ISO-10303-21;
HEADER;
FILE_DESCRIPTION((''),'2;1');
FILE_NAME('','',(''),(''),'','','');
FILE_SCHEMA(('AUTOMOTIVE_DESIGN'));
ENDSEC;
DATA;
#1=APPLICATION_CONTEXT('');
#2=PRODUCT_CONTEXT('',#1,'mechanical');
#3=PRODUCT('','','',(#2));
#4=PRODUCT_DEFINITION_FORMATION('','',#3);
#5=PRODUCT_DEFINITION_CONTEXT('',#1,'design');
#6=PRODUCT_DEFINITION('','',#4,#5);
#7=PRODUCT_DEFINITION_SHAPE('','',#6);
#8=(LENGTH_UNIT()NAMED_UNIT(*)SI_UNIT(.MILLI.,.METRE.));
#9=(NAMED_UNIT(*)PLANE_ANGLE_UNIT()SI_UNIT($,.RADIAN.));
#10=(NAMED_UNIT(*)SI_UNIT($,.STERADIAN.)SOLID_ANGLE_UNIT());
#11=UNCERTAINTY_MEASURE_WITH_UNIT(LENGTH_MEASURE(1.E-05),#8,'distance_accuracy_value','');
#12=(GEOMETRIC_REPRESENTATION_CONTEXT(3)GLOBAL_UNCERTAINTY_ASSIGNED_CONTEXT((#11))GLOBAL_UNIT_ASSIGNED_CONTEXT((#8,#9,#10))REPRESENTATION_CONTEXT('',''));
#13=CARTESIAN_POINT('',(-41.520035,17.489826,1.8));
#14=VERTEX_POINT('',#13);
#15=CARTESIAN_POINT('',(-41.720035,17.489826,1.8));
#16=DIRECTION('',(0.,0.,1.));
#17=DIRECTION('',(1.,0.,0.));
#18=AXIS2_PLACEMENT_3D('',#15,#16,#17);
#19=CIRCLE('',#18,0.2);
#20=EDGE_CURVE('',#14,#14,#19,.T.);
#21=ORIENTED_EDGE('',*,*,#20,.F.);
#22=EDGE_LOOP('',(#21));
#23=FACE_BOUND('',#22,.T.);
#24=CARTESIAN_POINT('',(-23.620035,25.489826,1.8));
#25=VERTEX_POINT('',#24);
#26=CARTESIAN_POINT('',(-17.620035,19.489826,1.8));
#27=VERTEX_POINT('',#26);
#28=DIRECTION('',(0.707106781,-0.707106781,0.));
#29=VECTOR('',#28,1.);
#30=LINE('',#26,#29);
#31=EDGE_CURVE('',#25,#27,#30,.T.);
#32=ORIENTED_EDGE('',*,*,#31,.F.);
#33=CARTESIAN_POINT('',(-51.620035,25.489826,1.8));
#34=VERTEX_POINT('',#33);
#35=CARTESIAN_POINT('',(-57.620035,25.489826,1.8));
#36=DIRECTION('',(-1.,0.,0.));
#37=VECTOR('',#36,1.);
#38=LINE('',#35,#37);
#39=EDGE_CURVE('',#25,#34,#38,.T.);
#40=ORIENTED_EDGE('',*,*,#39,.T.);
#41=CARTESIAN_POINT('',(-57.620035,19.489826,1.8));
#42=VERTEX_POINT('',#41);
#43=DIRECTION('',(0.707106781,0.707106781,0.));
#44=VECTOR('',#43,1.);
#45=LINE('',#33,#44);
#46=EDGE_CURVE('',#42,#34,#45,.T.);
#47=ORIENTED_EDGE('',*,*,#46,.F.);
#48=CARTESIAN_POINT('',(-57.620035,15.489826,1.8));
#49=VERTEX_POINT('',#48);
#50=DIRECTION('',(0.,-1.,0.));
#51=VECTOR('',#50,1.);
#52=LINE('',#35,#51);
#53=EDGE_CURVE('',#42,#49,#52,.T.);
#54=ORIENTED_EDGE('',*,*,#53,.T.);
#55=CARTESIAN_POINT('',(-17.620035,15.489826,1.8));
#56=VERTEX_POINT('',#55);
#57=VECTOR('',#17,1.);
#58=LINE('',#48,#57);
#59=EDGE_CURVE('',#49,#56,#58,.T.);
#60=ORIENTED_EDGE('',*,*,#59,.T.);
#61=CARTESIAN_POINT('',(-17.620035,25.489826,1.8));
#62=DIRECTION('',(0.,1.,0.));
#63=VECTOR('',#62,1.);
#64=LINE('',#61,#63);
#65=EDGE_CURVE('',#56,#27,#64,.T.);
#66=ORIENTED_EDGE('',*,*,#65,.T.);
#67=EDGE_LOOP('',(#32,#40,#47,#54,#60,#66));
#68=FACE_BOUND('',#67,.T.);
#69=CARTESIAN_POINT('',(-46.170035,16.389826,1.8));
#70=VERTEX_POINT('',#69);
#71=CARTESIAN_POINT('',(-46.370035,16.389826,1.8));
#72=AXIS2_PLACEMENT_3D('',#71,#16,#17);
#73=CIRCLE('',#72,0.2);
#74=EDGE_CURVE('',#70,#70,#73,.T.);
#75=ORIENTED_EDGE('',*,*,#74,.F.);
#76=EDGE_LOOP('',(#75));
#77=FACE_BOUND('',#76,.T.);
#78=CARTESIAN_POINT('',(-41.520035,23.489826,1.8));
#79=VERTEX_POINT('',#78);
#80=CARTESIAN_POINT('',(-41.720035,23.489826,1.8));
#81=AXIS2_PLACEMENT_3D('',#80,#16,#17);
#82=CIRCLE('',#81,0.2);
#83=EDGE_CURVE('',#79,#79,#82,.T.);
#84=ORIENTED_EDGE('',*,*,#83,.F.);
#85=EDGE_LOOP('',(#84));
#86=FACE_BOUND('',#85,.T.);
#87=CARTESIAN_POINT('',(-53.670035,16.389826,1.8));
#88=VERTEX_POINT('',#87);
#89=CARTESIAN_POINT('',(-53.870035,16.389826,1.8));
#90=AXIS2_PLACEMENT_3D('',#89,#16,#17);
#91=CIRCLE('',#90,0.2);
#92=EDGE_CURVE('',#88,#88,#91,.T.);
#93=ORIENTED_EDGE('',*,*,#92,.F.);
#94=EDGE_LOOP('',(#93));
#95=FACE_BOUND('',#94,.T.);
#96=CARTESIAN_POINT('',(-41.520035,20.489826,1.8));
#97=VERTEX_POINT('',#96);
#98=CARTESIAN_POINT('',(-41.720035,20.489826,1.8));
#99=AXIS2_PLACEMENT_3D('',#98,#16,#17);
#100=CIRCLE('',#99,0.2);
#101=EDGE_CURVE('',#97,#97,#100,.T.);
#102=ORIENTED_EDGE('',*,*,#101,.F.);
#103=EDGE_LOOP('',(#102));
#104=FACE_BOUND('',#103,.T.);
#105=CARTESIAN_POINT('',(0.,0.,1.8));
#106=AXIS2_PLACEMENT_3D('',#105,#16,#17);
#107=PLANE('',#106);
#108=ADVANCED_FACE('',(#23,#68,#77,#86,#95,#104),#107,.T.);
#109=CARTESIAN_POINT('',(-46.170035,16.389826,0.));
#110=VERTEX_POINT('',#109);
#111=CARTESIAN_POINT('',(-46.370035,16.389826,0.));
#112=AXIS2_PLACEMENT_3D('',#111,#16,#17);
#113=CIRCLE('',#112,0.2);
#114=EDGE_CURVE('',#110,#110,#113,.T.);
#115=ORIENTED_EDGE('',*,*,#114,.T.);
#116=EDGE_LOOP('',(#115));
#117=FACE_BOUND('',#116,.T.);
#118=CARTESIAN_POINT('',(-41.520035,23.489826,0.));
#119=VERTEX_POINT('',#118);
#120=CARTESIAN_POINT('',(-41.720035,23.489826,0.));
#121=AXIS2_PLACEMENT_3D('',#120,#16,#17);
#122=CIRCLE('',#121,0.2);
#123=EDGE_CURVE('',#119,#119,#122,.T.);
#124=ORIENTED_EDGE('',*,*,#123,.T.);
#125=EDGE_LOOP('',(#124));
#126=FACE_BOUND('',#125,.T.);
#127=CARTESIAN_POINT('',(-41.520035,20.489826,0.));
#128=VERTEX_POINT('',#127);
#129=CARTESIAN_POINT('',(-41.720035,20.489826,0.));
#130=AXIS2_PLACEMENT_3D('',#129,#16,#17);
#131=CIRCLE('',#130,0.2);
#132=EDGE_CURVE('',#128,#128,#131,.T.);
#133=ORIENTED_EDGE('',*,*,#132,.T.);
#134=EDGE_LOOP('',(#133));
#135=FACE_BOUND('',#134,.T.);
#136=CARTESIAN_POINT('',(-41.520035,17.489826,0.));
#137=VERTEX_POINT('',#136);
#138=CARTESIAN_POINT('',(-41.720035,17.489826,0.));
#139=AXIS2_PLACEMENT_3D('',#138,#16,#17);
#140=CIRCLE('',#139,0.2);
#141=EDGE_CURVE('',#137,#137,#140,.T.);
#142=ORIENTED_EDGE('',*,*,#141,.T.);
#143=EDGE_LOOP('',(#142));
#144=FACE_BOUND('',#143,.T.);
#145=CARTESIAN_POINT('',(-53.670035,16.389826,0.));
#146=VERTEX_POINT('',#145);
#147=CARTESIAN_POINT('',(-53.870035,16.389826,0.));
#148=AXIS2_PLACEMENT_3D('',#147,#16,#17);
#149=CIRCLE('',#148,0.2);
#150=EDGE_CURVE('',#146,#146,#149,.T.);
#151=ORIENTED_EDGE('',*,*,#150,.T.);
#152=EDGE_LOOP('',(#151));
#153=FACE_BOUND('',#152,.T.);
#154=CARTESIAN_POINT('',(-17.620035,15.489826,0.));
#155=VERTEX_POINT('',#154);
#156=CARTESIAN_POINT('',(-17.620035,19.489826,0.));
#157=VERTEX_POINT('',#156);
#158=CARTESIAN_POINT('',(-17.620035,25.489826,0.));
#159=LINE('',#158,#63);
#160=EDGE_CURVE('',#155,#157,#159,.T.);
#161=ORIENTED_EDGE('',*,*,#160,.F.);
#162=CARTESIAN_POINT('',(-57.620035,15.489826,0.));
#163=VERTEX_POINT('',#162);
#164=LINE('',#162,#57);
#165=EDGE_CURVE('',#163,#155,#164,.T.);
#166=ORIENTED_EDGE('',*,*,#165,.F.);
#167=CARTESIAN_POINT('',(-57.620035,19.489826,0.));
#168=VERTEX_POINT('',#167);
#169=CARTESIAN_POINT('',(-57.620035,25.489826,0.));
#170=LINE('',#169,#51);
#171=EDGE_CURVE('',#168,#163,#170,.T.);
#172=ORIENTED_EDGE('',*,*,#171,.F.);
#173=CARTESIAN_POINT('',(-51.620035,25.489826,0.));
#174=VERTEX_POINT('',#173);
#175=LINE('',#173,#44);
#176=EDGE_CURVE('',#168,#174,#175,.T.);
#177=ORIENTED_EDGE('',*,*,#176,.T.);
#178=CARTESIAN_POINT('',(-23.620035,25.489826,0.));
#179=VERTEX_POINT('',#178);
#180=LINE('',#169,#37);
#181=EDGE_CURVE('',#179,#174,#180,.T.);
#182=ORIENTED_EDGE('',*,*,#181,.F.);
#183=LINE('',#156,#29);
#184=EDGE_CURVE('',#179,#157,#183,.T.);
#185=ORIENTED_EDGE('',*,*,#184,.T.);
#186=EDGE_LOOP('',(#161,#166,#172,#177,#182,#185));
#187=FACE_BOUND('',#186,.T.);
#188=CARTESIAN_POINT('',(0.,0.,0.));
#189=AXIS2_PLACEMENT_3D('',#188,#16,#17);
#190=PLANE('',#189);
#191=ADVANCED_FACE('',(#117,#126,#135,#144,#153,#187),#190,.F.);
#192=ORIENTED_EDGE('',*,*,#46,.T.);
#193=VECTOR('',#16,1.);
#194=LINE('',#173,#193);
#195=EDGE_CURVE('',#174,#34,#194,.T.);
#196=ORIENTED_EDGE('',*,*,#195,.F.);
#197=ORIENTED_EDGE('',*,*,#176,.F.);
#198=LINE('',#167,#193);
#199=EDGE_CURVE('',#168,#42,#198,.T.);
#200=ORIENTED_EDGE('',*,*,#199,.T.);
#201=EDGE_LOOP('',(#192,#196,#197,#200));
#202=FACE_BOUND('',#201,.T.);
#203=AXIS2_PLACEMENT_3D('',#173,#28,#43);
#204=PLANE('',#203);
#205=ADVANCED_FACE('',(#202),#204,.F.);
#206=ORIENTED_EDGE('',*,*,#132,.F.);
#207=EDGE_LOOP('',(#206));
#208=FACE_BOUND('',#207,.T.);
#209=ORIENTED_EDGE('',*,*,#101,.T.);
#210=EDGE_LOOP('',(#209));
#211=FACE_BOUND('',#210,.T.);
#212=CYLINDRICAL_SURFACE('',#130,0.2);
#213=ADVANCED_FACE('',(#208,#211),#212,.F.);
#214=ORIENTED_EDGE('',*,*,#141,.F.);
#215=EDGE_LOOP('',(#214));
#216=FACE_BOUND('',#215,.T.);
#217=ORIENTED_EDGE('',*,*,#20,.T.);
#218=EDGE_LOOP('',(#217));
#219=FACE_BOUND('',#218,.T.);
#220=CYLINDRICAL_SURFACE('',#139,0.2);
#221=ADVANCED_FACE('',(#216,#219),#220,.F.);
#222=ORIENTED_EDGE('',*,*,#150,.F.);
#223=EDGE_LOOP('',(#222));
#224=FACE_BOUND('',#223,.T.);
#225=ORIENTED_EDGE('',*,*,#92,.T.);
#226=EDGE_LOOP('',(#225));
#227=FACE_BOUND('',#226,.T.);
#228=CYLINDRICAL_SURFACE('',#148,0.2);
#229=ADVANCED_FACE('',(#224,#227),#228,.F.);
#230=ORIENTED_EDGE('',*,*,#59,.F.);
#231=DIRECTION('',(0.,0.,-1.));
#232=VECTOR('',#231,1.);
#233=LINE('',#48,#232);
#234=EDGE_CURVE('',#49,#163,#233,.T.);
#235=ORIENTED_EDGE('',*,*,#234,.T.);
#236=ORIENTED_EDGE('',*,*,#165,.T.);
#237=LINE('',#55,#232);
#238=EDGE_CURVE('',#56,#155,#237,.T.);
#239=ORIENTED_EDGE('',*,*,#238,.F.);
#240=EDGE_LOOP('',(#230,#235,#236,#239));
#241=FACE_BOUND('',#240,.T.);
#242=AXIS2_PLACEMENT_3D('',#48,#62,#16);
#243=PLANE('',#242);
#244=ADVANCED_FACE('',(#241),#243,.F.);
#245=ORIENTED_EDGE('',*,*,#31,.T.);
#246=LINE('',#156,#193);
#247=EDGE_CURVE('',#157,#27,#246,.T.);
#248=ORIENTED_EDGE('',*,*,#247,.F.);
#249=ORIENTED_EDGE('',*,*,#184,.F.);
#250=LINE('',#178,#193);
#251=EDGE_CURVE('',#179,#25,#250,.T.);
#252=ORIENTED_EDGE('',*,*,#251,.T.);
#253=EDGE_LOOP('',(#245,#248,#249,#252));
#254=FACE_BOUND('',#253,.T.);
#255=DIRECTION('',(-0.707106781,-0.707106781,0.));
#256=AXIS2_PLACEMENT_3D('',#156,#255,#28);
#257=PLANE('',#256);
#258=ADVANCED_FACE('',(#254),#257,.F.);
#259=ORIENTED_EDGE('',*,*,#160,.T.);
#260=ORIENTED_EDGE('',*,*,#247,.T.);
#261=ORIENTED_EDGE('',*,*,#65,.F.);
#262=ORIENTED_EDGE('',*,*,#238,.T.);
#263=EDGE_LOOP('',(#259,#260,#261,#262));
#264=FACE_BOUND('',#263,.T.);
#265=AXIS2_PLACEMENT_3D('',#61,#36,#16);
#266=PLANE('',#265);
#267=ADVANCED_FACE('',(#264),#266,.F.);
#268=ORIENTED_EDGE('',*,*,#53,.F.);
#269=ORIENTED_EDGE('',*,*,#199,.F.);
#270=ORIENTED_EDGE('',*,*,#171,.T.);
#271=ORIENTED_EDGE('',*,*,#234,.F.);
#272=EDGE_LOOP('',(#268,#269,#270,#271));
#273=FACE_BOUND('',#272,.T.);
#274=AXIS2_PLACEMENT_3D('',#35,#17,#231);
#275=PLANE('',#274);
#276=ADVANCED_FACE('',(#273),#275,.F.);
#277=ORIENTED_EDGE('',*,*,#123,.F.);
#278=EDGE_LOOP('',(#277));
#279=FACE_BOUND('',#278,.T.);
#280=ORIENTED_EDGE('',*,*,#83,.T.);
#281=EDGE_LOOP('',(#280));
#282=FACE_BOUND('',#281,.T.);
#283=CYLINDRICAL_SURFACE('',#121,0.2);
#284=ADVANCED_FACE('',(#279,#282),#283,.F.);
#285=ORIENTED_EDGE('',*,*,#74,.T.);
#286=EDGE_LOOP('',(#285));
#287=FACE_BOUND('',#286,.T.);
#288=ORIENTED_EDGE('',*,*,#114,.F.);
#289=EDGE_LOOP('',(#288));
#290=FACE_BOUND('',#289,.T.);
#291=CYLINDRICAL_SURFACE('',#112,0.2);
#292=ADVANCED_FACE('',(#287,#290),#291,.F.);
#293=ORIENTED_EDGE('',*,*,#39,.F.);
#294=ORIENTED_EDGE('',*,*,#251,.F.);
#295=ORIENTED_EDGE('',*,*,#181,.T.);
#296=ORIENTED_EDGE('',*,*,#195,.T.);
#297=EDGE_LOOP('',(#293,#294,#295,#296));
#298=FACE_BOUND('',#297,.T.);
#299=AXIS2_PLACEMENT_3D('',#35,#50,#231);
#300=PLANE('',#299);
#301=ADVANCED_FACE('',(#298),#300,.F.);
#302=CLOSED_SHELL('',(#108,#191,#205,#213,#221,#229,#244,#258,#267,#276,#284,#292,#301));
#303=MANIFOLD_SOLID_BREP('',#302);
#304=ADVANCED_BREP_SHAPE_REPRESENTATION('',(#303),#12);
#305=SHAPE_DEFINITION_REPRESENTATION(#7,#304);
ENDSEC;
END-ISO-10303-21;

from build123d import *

# Parameters (mm, degrees)
ESBO_O1_W                = 40
ESBO_O1_H                = 10
RESSALTO_EXTRUS_O1_DEPTH = 1.8
CORTE_EXTRUS_O1_DEPTH    = 1.8
ESBO_O4_R                = 0.2
CORTE_EXTRUS_O2_DEPTH    = 1.8
ESBO_O5_R                = 0.2
CORTE_EXTRUS_O3_DEPTH    = 64.032052928


with BuildPart() as part:
    # Esboço1 → Ressalto-extrusão1 (new body)
    with BuildSketch(Plane.XY):
        with Locations((-37.620035336, 20.489825898)):
            Rectangle(ESBO_O1_W, ESBO_O1_H)
    extrude(amount=RESSALTO_EXTRUS_O1_DEPTH)

    # Esboço3 → Corte-extrusão1 (cut)
    with BuildSketch(Plane.XY.offset(1.8)):
        Polygon((-51.620035336, 25.489825898), (-57.620035336, 19.489825898), (-57.620035336, 25.489825898), align=None)
        Polygon((-17.620035336, 19.489825898), (-23.620035336, 25.489825898), (-17.620035336, 25.489825898), align=None)
    extrude(amount=-CORTE_EXTRUS_O1_DEPTH, mode=Mode.SUBTRACT)

    # Esboço4 → Corte-extrusão2 (cut)
    with BuildSketch(Plane.XY.offset(1.8)):
        with Locations((-41.720035336, 17.489825898)):
            Circle(ESBO_O4_R)
        with Locations((-41.720035336, 20.489825898)):
            Circle(ESBO_O4_R)
        with Locations((-41.720035336, 23.489825898)):
            Circle(ESBO_O4_R)
    extrude(amount=-CORTE_EXTRUS_O2_DEPTH, mode=Mode.SUBTRACT)

    # Esboço5 → Corte-extrusão3 (cut, through all)
    with BuildSketch(Plane.XY.offset(1.8)):
        with Locations((-53.870035336, 16.389825898)):
            Circle(ESBO_O5_R)
        with Locations((-46.370035336, 16.389825898)):
            Circle(ESBO_O5_R)
    extrude(amount=-CORTE_EXTRUS_O3_DEPTH, mode=Mode.SUBTRACT)


solid = part.part
